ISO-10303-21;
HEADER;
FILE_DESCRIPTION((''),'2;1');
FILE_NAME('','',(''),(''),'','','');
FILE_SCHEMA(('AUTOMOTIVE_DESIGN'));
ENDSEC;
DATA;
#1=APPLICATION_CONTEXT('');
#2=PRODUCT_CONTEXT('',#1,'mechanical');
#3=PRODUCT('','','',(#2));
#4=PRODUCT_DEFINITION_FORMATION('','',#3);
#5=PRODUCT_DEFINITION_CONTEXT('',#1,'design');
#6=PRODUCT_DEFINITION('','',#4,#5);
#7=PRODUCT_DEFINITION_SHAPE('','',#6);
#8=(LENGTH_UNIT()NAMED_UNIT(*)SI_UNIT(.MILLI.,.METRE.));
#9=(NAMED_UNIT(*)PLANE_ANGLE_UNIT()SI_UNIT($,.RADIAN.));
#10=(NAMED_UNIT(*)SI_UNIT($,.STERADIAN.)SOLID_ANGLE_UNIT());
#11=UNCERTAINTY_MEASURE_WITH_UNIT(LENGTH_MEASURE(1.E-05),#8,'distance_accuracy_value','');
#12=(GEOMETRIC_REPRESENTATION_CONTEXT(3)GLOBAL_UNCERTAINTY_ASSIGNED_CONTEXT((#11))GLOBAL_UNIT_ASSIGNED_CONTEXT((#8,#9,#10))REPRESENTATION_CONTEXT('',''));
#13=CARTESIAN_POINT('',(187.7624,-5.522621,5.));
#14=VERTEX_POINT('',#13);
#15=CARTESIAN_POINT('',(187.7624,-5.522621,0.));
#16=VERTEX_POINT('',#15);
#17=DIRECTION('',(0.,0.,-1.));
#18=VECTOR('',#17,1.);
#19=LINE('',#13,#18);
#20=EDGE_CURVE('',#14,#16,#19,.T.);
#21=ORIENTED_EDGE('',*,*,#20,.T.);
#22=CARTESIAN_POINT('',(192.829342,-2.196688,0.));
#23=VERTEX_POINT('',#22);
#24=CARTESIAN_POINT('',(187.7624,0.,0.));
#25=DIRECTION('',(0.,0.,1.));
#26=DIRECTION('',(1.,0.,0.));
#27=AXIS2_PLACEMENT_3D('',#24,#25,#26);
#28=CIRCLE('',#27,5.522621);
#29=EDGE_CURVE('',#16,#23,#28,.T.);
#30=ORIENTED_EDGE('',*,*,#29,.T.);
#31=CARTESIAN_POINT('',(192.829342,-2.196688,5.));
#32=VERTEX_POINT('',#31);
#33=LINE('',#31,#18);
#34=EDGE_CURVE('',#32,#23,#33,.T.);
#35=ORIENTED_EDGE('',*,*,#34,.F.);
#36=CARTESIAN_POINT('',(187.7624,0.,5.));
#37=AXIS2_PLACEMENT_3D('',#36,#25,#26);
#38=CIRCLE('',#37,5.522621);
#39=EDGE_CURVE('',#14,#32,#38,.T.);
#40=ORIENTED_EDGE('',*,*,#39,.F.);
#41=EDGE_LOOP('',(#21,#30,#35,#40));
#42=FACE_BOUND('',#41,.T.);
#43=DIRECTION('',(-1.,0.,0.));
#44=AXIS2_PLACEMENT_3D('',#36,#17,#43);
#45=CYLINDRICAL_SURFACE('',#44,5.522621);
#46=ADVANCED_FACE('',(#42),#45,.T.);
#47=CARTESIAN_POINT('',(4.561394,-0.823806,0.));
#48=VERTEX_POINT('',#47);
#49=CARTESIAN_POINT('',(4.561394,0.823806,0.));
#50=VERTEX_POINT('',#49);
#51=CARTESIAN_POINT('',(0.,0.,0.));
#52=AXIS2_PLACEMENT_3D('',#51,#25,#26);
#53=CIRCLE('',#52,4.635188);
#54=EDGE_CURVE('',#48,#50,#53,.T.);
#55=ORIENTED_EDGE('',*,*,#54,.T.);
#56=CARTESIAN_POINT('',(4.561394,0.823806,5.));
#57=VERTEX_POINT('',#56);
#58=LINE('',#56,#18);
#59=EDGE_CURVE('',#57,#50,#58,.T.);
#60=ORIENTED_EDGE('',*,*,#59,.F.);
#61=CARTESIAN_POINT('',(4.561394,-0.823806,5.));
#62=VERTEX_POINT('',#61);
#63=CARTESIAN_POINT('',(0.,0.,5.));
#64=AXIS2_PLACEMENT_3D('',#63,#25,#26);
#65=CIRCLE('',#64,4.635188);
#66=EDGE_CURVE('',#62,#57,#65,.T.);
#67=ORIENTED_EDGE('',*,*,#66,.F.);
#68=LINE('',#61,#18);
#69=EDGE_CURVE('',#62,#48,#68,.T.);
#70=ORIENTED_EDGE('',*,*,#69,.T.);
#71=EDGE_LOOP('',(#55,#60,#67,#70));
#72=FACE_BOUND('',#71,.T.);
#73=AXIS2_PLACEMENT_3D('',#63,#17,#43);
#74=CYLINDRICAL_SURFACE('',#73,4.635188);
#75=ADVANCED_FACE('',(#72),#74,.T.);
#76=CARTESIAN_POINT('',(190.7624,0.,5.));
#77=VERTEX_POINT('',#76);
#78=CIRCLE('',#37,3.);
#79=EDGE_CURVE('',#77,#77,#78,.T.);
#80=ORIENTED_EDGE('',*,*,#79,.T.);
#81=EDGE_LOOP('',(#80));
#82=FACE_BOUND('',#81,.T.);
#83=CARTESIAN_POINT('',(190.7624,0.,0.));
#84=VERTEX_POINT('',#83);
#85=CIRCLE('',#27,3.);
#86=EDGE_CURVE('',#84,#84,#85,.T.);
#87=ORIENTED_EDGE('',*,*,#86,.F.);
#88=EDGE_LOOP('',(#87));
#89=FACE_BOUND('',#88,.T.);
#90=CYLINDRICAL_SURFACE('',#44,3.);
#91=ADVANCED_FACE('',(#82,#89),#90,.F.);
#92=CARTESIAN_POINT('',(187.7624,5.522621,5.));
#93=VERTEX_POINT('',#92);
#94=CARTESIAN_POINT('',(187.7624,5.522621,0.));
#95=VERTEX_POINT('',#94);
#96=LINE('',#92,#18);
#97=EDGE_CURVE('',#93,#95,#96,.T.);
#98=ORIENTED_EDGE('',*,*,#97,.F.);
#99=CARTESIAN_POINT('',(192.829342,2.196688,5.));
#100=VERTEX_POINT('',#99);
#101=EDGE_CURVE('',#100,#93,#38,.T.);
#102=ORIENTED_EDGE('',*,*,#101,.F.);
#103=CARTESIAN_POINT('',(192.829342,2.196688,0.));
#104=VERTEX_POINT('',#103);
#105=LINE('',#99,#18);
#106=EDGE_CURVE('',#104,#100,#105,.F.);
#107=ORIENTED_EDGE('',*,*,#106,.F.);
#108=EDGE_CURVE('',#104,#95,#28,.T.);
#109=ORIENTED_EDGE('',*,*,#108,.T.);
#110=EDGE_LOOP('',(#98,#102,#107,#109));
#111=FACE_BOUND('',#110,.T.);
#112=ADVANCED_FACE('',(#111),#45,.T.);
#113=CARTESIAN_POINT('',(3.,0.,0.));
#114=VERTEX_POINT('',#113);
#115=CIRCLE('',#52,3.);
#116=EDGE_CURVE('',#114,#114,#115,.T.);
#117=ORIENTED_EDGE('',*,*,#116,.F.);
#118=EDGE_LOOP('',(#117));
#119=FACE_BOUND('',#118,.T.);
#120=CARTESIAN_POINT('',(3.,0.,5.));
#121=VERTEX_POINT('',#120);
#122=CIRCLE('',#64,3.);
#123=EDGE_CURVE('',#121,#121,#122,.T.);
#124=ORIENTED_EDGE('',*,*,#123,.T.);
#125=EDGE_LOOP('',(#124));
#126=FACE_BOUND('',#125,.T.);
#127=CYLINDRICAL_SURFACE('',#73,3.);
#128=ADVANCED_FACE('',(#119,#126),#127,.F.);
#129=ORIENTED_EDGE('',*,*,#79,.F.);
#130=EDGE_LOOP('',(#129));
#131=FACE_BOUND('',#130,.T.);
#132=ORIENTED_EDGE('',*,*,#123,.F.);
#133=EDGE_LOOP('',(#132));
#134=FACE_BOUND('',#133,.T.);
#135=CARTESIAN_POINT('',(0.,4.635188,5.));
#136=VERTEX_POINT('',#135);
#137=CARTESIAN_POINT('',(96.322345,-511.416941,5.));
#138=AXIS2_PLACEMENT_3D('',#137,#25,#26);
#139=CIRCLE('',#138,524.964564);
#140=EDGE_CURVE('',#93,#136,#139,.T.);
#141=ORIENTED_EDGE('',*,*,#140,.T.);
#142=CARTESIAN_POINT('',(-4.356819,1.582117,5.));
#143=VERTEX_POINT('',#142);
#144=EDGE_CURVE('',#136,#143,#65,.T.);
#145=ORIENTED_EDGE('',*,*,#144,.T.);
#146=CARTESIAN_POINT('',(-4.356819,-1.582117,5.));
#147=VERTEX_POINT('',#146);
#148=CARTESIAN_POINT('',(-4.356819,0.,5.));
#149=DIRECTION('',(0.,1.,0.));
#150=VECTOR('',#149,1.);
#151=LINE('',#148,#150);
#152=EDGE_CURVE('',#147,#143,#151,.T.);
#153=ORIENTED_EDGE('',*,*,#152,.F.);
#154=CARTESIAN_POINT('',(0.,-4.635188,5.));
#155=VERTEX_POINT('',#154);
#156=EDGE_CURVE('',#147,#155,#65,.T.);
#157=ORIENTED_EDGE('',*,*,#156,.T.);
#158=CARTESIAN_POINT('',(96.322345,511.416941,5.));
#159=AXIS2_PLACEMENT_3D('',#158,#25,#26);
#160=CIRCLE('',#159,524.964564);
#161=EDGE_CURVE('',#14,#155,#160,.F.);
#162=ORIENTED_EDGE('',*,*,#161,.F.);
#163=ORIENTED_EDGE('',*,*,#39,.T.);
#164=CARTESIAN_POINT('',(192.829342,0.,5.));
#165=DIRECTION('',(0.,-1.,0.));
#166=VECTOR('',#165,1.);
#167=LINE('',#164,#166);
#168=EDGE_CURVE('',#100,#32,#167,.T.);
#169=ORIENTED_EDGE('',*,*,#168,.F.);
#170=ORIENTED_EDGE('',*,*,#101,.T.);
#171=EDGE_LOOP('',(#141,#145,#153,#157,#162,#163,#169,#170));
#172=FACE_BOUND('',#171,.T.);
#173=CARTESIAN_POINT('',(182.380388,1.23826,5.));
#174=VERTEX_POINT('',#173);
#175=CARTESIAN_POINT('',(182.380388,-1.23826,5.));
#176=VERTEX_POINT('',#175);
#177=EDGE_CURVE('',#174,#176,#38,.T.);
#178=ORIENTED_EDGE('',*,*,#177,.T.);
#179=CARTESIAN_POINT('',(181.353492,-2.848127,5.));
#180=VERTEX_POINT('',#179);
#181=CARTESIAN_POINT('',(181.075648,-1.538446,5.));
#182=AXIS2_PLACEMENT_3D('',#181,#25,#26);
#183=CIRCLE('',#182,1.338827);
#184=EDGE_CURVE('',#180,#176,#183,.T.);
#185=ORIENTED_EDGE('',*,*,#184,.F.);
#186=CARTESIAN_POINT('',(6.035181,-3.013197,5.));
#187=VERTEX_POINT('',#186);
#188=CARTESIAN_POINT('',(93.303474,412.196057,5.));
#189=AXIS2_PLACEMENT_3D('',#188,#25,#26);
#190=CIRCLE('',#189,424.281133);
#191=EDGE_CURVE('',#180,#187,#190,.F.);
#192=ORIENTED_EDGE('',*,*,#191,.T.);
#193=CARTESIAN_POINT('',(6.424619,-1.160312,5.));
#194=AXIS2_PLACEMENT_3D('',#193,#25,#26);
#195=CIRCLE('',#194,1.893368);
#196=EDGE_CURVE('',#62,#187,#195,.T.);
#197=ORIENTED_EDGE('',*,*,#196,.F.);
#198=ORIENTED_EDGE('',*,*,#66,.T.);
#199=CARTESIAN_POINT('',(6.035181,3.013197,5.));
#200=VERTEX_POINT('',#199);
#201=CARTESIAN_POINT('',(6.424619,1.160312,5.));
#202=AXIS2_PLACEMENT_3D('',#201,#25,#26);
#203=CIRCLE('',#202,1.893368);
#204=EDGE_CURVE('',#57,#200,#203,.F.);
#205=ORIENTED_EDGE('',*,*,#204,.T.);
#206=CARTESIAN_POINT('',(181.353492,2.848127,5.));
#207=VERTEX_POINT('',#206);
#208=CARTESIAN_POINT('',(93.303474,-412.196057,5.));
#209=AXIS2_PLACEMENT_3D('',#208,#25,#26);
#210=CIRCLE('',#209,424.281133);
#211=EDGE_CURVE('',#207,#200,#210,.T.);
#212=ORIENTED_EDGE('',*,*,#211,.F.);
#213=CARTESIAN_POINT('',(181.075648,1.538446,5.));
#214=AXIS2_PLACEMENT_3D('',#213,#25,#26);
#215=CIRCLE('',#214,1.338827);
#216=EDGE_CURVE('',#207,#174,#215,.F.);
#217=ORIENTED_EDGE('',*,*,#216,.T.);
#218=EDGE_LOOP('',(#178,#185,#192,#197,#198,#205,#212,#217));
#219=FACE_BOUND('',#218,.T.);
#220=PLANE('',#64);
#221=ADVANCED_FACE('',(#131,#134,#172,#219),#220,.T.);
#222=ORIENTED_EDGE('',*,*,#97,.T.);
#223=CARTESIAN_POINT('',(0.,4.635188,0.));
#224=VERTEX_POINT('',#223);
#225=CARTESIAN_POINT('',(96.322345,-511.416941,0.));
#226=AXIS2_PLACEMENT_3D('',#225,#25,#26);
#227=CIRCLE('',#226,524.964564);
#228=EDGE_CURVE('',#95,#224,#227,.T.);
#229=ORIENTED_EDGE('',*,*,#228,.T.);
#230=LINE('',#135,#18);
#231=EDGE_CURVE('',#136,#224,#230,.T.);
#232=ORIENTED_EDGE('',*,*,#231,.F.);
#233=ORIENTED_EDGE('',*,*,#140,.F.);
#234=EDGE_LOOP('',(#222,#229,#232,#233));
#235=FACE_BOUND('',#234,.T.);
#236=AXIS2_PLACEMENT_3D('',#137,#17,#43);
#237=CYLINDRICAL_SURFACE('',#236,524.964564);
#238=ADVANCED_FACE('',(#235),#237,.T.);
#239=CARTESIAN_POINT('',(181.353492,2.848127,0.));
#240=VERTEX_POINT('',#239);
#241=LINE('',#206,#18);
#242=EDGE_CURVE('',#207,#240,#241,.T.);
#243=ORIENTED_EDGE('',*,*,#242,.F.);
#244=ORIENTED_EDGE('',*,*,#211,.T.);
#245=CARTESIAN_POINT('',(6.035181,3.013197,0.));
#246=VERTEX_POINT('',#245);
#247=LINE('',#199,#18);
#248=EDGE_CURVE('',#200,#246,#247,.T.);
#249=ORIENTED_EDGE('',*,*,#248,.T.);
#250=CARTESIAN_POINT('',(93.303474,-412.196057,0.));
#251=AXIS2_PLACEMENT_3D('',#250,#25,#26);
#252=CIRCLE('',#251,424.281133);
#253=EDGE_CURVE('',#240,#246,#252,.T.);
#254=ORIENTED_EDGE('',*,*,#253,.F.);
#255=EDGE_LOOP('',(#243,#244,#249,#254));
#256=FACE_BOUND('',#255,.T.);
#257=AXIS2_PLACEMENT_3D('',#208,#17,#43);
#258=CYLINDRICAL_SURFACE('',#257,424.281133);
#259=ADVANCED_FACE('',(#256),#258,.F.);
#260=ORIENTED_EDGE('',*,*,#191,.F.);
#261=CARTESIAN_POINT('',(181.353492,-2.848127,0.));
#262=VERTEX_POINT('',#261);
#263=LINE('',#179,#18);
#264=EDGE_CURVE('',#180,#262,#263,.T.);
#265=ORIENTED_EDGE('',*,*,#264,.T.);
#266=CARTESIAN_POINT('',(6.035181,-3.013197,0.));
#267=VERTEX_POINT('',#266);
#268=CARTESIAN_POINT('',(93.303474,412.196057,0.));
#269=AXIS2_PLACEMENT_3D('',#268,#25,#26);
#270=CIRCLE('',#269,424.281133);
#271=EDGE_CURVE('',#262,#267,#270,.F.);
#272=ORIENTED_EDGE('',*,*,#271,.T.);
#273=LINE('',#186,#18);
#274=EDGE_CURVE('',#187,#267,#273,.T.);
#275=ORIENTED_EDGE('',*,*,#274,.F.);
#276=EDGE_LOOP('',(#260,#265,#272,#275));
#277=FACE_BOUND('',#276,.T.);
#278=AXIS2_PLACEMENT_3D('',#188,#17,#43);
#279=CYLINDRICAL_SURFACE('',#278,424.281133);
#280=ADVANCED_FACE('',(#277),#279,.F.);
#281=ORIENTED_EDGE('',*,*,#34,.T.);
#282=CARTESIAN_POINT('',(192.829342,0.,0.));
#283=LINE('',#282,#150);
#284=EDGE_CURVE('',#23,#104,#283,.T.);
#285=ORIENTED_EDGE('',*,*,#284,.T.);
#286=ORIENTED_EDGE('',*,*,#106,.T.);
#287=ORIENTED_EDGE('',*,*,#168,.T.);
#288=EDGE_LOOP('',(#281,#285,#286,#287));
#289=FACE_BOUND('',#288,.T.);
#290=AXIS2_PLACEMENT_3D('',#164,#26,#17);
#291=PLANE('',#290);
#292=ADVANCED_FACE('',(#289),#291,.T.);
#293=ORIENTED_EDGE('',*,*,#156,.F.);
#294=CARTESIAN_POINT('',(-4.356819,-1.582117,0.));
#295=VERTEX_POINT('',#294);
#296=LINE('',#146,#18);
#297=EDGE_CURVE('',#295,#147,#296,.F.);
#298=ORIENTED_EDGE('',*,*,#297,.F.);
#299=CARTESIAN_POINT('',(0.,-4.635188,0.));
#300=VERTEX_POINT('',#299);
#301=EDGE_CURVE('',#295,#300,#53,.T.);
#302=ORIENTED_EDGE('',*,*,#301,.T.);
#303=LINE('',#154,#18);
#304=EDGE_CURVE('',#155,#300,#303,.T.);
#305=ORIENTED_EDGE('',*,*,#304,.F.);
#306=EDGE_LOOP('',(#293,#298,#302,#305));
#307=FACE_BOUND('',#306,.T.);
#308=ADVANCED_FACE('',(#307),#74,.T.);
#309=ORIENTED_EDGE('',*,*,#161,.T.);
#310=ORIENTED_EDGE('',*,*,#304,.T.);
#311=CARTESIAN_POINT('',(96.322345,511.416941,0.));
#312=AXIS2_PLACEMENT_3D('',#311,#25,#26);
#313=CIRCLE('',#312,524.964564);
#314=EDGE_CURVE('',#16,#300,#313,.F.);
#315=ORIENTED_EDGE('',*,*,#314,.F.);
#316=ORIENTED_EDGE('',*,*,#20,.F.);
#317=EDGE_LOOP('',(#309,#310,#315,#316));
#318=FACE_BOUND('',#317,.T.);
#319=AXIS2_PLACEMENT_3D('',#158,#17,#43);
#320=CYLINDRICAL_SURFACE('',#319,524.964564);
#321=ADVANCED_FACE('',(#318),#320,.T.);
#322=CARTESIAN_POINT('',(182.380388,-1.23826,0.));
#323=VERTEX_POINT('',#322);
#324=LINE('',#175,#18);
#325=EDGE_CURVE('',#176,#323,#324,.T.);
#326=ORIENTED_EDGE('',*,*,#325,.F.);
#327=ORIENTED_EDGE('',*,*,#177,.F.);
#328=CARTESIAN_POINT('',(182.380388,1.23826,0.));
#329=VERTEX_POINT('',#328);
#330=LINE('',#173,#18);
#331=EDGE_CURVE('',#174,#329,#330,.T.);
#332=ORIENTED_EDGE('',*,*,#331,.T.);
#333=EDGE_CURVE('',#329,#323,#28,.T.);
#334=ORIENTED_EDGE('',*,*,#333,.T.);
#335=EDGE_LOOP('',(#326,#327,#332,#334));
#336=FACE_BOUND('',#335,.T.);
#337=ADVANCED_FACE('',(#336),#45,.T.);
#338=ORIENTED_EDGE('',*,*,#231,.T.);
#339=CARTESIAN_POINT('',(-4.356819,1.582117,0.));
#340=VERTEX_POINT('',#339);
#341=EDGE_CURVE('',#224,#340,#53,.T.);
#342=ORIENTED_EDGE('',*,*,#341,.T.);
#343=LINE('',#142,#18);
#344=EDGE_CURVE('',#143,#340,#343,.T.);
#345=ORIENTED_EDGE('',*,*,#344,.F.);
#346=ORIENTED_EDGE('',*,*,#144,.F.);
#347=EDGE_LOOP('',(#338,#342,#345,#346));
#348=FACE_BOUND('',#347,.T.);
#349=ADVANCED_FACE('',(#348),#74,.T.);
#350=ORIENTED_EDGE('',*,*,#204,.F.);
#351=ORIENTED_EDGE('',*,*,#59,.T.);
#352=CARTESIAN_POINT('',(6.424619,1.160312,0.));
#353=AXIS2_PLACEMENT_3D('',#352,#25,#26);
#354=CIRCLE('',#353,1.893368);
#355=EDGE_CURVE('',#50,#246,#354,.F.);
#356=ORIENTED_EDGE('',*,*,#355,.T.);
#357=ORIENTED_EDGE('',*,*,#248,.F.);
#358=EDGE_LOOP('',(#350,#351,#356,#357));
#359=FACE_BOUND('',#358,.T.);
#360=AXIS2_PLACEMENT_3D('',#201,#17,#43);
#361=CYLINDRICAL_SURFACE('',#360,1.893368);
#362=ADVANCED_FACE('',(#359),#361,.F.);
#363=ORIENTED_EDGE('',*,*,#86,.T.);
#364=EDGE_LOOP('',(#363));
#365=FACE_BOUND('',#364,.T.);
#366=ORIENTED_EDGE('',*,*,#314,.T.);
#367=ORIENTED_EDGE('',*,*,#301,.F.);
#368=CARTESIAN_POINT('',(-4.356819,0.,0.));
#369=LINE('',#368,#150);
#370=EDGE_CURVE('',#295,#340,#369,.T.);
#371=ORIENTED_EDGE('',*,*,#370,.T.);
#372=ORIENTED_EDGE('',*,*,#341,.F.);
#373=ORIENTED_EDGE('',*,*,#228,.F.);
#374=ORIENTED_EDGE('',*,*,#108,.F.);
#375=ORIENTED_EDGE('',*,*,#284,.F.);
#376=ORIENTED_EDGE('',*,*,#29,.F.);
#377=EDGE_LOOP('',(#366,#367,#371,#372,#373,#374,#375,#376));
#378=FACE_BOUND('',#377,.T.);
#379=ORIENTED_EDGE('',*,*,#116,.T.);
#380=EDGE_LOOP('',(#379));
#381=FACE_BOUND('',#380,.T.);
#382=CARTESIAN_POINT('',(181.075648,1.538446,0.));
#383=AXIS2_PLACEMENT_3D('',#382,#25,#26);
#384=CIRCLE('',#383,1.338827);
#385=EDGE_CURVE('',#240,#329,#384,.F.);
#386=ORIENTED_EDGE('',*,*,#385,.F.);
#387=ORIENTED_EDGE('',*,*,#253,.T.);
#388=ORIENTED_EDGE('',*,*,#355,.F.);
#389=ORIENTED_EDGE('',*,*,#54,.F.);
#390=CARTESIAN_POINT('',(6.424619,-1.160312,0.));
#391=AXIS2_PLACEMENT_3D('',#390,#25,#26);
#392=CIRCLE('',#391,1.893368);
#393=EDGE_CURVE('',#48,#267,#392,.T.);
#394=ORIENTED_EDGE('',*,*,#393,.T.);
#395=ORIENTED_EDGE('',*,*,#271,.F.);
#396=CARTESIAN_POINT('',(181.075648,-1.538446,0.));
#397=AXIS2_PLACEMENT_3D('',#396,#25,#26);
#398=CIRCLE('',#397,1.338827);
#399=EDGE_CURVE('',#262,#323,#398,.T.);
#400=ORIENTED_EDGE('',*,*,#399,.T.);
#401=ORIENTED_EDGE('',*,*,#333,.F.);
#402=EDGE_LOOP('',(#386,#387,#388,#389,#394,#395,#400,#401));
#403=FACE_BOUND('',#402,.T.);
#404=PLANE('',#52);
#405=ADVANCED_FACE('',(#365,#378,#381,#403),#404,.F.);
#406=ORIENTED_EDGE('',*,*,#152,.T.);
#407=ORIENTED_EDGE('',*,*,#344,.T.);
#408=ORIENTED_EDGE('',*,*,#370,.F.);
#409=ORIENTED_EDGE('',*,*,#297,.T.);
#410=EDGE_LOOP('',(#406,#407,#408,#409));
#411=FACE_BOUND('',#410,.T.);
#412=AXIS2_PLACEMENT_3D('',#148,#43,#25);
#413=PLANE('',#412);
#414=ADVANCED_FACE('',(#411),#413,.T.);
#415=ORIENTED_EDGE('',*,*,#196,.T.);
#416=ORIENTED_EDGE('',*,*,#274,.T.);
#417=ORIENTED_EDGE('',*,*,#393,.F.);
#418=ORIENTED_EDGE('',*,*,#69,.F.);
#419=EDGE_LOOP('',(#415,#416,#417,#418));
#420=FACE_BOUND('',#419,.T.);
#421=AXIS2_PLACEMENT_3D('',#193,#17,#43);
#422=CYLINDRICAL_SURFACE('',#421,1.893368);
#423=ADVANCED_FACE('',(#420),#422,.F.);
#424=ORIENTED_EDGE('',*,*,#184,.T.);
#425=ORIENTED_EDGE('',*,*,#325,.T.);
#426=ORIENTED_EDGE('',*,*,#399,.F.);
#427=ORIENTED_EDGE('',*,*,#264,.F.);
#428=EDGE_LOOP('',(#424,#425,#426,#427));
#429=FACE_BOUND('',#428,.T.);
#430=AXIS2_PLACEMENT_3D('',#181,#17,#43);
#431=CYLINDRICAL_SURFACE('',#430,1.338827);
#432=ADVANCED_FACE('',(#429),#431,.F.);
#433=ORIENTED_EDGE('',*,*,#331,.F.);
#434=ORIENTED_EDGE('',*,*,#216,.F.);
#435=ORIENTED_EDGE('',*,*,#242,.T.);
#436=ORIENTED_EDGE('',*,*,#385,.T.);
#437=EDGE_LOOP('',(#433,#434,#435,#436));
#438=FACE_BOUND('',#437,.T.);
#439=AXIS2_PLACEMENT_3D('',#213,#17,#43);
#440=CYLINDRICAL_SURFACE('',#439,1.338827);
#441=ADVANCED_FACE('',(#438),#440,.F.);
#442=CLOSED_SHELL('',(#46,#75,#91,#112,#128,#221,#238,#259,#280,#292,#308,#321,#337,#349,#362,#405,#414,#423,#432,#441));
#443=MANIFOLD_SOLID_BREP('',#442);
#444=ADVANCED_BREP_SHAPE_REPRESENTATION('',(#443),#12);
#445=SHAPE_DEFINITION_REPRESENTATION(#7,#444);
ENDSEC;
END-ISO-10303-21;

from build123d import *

# Parameters (mm, degrees)
SZKIC1_R                    = 4.635188213
SZKIC1_R_2                  = 3.000000079
SZKIC1_R_3                  = 5.522620658
DODANIE_WYCI_GNI_CIE1_DEPTH = 5
SZKIC2_W                    = 1.618528634
SZKIC2_H                    = 7.505645785
SZKIC2_W_2                  = 0.651830256
SZKIC2_H_2                  = 5.051684483
WYTNIJ_WYCI_GNI_CIE3_DEPTH  = 6


with BuildPart() as part:
    # Szkic1 → Dodanie-wyciągnięcie1 (new body)
    with BuildSketch(Plane.XY):
        with BuildLine():
            ThreePointArc((182.852037835, 2.527386464), (184.886505162, 4.714718212), (187.7624, 5.522620658))
            ThreePointArc((187.7624, 5.522620658), (93.841201508, 13.541760303), (0, 4.635188213))
            ThreePointArc((0, 4.635188213), (2.197225531, 4.081319607), (3.869348656, 2.552079691))
            ThreePointArc((3.869348656, 2.552079691), (4.951964009, 2.784051377), (6.035181021, 3.013197121))
            ThreePointArc((6.035181021, 3.013197121), (93.702955413, 12.084887853), (181.353491517, 2.8481265))
            ThreePointArc((181.353491517, 2.8481265), (182.102909488, 2.688433069), (182.852037835, 2.527386464))
        make_face()
        with BuildLine():
            ThreePointArc((0, -4.635188213), (93.841201508, -13.541760303), (187.7624, -5.522620658))
            ThreePointArc((187.7624, -5.522620658), (184.886505162, -4.714718212), (182.852037835, -2.527386464))
            ThreePointArc((182.852037835, -2.527386464), (182.102909488, -2.688433069), (181.353491517, -2.8481265))
            ThreePointArc((181.353491517, -2.8481265), (93.702955413, -12.084887853), (6.035181021, -3.013197121))
            ThreePointArc((6.035181021, -3.013197121), (4.951964009, -2.784051377), (3.869348656, -2.552079691))
            ThreePointArc((3.869348656, -2.552079691), (2.197225531, -4.081319607), (0, -4.635188213))
        make_face()
        Circle(SZKIC1_R)
        Circle(SZKIC1_R_2, mode=Mode.SUBTRACT)
        with BuildLine():
            ThreePointArc((4.561393731, -0.823806409), (4.303032237, -1.723044787), (3.869348656, -2.552079691))
            ThreePointArc((3.869348656, -2.552079691), (4.951964009, -2.784051377), (6.035181021, -3.013197121))
            ThreePointArc((6.035181021, -3.013197121), (4.853956333, -2.21760299), (4.561393731, -0.823806409))
        make_face()
        with BuildLine():
            ThreePointArc((6.035181021, 3.013197121), (4.951964009, 2.784051377), (3.869348656, 2.552079691))
            ThreePointArc((3.869348656, 2.552079691), (4.303032237, 1.723044787), (4.561393731, 0.823806409))
            ThreePointArc((4.561393731, 0.823806409), (4.853956333, 2.21760299), (6.035181021, 3.013197121))
        make_face()
        with BuildLine():
            ThreePointArc((181.353491517, -2.8481265), (182.102909488, -2.688433069), (182.852037835, -2.527386464))
            ThreePointArc((182.852037835, -2.527386464), (182.576004096, -1.897534311), (182.380388165, -1.238259886))
            ThreePointArc((182.380388165, -1.238259886), (182.204390831, -2.258445368), (181.353491517, -2.8481265))
        make_face()
        with Locations((187.7624, 0)):
            Circle(SZKIC1_R_3)
        with Locations((187.7624, 0)):
            Circle(SZKIC1_R_2, mode=Mode.SUBTRACT)
        with BuildLine():
            ThreePointArc((182.380388165, 1.238259886), (182.576004096, 1.897534311), (182.852037835, 2.527386464))
            ThreePointArc((182.852037835, 2.527386464), (182.102909488, 2.688433069), (181.353491517, 2.8481265))
            ThreePointArc((181.353491517, 2.8481265), (182.204390831, 2.258445368), (182.380388165, 1.238259886))
        make_face()
    extrude(amount=DODANIE_WYCI_GNI_CIE1_DEPTH)

    # Szkic2 → Wytnij-wyciągnięcie3 (cut, through all)
    with BuildSketch(Plane.XY):
        with Locations((193.638606269, 0.381285041)):
            Rectangle(SZKIC2_W, SZKIC2_H)
        with Locations((-4.682734605, -0.038745932)):
            Rectangle(SZKIC2_W_2, SZKIC2_H_2)
    extrude(amount=WYTNIJ_WYCI_GNI_CIE3_DEPTH, mode=Mode.SUBTRACT)


solid = part.part
